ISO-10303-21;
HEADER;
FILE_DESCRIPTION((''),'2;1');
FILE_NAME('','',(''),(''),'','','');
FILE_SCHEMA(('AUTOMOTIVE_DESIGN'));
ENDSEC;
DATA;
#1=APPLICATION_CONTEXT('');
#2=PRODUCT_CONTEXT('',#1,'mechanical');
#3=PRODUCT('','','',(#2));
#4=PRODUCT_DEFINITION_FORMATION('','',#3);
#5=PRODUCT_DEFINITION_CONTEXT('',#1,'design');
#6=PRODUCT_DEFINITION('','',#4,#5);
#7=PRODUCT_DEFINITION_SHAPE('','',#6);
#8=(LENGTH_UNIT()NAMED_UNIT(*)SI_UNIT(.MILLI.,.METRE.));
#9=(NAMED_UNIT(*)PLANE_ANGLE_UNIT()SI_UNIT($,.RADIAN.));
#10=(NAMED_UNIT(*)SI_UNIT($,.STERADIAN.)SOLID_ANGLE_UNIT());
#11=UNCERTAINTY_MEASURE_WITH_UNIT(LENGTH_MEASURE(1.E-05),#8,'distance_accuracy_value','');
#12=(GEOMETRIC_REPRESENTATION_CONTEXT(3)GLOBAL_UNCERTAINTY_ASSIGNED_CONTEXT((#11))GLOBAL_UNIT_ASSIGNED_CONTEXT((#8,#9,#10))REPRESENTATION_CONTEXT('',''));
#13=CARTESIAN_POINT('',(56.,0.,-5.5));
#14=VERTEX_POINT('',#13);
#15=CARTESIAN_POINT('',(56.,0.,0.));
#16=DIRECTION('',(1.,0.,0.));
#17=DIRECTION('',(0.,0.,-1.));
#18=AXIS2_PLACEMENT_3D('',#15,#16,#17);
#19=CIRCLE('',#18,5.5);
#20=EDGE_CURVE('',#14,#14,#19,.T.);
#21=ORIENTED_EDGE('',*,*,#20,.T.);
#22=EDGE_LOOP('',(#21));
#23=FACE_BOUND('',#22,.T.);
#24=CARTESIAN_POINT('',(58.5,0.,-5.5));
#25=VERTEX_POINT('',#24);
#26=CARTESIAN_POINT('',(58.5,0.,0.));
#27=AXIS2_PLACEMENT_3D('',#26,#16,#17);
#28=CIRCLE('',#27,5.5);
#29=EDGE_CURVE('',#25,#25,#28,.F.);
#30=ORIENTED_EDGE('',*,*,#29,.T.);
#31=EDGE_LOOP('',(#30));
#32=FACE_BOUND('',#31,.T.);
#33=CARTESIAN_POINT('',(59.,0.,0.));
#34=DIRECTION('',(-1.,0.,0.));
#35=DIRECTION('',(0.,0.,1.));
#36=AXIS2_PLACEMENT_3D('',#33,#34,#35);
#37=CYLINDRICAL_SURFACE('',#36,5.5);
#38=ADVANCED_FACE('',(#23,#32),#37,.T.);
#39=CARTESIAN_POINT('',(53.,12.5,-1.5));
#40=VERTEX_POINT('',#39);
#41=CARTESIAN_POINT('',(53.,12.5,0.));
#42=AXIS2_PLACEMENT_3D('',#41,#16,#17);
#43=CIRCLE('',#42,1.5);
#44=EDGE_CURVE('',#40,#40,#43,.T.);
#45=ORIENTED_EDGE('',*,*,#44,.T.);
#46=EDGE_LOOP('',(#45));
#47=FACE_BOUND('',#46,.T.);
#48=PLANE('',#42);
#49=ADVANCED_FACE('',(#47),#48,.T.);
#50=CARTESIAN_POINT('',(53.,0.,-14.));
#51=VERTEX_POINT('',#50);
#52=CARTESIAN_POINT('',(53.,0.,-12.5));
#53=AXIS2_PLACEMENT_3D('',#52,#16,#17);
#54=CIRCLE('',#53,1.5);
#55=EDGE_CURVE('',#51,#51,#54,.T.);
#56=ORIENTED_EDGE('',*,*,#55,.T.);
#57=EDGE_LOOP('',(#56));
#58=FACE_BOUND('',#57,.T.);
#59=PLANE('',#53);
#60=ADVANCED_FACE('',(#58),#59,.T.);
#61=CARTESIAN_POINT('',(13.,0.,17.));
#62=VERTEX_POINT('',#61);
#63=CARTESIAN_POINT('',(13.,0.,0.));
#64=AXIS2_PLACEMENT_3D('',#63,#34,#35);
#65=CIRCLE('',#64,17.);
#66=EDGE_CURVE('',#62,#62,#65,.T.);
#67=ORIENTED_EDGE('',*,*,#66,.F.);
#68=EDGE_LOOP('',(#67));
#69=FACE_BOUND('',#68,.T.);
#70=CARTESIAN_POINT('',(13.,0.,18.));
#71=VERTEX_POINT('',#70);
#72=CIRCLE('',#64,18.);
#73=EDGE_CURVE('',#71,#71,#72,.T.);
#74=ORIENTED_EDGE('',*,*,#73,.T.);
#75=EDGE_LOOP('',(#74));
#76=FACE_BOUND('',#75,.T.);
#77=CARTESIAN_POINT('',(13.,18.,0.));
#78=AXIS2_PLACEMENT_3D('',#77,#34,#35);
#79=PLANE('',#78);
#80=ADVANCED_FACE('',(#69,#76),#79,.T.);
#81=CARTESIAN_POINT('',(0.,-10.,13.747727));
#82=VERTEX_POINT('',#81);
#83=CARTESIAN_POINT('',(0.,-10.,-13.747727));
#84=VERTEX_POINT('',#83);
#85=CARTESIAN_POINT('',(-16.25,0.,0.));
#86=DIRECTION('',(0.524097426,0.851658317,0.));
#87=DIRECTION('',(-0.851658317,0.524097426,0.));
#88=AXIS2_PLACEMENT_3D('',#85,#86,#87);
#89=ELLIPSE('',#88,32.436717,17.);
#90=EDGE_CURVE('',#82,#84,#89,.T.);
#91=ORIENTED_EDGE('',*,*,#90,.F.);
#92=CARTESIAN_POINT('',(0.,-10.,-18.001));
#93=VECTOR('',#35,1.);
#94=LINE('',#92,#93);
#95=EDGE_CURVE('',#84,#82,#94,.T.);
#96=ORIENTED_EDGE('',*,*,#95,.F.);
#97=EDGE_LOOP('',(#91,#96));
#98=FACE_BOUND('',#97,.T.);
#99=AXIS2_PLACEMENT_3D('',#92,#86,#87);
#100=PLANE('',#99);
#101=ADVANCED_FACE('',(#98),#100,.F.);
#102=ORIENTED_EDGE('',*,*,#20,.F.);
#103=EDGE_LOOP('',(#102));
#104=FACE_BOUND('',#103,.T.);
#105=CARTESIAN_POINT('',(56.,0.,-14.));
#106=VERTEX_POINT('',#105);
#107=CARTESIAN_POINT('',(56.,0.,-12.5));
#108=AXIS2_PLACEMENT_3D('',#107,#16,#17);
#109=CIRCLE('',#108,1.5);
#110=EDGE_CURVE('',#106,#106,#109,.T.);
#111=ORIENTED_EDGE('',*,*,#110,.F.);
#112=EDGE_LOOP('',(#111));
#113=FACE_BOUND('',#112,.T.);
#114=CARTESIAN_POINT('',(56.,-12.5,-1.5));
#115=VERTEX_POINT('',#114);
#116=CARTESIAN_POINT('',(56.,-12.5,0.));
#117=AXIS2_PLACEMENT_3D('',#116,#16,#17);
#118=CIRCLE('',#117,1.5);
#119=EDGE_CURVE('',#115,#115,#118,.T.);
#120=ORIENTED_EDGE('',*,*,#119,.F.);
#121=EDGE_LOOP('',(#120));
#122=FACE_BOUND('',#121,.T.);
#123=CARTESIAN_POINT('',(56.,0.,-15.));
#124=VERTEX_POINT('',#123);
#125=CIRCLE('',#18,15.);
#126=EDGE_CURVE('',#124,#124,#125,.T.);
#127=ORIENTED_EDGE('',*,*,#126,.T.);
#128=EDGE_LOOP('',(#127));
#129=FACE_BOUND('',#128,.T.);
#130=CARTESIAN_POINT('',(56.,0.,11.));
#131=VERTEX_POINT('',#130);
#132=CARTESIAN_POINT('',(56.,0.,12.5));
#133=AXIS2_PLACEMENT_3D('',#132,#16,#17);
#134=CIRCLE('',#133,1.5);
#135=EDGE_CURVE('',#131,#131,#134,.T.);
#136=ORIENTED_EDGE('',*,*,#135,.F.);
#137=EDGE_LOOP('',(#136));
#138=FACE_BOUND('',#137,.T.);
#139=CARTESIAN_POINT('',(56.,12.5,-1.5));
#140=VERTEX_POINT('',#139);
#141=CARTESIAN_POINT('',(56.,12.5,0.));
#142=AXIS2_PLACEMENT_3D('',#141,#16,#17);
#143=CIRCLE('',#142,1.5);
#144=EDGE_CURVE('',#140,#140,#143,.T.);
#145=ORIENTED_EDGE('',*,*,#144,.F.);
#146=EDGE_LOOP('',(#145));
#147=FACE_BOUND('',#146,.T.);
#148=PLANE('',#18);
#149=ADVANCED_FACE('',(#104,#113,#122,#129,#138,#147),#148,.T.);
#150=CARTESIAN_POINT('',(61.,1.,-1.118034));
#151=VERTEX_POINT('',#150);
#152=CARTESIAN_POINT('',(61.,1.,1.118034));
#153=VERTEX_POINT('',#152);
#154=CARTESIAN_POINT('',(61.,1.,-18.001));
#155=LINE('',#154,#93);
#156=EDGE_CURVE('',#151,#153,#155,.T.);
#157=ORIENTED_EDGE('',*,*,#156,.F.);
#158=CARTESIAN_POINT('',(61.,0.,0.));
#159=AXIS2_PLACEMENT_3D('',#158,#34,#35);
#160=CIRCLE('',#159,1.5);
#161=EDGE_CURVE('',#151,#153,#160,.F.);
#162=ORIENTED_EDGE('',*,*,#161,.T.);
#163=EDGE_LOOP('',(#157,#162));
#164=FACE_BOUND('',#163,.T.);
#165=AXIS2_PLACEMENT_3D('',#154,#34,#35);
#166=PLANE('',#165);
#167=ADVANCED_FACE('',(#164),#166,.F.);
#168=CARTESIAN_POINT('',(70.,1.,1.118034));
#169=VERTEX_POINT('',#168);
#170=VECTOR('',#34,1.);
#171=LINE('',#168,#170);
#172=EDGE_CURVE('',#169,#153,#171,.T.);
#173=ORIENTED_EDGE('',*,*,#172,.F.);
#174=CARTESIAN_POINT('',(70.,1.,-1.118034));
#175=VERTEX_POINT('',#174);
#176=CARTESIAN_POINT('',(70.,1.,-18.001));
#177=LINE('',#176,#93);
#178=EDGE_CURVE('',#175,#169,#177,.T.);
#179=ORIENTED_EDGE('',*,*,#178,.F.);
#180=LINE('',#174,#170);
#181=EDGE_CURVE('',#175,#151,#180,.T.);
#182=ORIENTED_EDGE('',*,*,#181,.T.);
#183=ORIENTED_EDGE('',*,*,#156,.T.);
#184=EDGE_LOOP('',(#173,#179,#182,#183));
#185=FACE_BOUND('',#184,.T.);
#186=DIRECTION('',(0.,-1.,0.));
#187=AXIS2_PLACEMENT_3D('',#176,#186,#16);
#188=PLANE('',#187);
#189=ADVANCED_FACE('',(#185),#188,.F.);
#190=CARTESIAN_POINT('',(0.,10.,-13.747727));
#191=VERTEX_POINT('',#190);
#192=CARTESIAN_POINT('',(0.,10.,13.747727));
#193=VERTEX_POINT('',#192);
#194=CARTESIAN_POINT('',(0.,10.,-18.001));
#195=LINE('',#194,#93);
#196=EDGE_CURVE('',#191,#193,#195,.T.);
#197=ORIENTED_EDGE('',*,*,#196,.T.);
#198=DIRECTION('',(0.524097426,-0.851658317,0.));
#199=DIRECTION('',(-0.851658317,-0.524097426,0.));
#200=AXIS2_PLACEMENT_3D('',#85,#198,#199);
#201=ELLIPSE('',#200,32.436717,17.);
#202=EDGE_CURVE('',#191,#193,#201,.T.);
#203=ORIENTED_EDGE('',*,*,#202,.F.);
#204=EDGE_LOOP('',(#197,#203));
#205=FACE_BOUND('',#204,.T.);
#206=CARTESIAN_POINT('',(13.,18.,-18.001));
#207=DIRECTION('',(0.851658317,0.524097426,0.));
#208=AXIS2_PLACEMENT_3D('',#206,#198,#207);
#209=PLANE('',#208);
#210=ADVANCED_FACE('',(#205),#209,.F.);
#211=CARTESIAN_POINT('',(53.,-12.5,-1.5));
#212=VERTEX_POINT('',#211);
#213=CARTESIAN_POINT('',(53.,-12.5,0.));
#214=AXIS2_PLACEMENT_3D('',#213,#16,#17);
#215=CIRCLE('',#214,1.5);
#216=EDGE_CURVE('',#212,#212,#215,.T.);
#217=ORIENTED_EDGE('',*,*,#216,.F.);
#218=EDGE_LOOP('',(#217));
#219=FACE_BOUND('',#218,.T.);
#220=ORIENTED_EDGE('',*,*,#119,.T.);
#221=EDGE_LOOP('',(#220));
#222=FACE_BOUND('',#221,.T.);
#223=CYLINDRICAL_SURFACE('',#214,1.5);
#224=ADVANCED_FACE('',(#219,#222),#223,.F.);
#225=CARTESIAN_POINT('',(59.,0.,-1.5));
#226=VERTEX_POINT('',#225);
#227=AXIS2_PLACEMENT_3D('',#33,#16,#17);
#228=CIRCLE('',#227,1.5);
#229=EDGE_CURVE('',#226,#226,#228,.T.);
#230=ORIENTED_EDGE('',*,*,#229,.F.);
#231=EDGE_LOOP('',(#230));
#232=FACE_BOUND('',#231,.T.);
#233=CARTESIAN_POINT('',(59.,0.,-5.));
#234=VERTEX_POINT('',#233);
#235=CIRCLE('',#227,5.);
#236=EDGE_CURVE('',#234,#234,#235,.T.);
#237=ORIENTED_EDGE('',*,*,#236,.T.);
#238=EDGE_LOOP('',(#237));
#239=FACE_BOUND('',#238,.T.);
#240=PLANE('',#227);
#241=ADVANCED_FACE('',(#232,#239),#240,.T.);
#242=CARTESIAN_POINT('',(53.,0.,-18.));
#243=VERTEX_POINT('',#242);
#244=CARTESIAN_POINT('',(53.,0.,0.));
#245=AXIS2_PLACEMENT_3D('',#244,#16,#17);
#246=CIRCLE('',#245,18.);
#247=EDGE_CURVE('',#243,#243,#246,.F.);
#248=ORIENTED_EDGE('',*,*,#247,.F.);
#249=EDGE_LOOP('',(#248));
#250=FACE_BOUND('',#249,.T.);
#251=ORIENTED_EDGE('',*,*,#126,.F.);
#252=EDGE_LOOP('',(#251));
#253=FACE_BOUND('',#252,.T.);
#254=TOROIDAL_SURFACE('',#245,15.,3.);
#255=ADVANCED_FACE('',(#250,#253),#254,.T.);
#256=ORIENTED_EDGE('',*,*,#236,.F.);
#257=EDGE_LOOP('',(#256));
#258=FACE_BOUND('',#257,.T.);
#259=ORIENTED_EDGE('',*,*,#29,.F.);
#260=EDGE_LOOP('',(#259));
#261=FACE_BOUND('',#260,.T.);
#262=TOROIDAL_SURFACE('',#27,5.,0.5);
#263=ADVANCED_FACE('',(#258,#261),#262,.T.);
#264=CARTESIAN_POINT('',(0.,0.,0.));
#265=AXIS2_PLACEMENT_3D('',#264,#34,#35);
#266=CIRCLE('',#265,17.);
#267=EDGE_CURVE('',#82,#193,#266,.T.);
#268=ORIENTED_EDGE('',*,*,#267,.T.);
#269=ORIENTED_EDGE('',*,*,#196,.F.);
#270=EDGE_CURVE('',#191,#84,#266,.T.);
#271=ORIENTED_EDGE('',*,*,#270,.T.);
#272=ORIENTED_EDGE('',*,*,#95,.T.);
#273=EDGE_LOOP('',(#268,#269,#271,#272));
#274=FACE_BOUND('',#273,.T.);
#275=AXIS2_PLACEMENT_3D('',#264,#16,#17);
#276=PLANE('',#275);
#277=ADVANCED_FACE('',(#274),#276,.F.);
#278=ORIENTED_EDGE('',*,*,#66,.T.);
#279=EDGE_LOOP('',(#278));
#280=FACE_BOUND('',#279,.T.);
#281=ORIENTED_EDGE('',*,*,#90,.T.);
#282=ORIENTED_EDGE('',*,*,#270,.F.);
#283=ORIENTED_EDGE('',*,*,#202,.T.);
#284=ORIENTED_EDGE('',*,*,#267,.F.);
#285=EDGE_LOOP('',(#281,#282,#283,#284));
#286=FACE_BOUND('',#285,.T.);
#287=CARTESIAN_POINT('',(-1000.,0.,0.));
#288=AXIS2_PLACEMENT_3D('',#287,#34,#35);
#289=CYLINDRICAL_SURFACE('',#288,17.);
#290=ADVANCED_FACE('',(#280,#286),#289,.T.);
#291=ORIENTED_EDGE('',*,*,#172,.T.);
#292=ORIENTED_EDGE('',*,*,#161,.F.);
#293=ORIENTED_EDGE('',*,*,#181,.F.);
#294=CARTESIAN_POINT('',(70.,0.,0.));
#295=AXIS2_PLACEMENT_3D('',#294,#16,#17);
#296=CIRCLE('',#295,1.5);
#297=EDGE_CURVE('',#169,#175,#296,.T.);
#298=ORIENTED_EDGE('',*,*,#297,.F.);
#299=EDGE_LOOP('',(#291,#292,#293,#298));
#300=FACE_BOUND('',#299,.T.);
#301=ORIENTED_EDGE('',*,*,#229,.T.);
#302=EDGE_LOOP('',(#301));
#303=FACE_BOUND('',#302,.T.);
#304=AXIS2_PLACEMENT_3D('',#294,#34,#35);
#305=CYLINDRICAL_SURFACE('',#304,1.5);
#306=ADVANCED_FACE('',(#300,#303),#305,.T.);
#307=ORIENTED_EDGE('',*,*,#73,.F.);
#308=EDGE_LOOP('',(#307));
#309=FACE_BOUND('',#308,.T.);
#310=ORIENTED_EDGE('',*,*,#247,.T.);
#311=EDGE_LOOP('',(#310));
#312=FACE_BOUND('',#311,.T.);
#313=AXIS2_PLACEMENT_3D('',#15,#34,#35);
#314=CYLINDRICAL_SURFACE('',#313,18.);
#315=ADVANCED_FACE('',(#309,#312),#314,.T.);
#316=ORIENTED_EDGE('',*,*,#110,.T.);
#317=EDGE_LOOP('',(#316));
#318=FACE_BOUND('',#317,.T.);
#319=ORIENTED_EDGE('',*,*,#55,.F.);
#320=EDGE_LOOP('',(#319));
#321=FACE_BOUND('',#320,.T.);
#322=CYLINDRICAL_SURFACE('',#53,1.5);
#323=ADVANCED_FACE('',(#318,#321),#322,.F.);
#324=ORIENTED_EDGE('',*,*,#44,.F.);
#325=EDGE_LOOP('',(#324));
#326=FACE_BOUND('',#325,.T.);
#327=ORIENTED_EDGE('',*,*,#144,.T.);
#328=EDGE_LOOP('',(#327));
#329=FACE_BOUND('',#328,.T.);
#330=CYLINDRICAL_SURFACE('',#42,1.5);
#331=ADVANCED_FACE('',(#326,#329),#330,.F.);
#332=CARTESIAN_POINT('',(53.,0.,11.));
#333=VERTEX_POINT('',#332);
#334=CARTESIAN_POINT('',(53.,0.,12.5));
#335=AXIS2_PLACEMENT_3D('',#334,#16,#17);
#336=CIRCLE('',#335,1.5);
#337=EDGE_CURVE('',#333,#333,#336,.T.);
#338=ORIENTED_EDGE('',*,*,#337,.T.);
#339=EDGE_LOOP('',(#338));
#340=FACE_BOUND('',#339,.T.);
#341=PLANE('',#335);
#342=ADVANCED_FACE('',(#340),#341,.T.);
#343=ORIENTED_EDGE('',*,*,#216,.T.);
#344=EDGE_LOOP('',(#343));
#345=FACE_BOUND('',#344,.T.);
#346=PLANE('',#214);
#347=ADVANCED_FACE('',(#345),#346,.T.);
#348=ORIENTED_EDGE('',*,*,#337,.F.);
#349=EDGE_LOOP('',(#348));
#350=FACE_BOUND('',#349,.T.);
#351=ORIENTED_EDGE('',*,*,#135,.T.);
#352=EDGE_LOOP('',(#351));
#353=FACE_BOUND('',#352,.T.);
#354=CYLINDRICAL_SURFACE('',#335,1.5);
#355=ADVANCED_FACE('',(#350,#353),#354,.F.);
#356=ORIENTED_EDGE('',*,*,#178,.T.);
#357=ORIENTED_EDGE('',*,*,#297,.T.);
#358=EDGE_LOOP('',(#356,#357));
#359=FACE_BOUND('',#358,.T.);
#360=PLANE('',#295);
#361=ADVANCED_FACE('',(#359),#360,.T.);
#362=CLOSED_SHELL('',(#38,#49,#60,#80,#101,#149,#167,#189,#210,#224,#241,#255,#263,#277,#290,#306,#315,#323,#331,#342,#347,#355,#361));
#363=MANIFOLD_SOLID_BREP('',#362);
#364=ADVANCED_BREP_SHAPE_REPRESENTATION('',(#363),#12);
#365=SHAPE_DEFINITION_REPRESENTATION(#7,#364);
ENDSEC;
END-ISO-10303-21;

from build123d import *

# Parameters (mm, degrees)
SKETCH1_R                           = 18
BOSS_EXTRUDE1_DEPTH                 = 56
FILLET1_R                           = 3
CUT_EXTRUDE1_START                  = -14.96663
CUT_EXTRUDE1_DEPTH                  = 29.93326
SKETCH3_W                           = 13
SKETCH3_H                           = 1
SKETCH4_R                           = 5.5
BOSS_EXTRUDE2_DEPTH                 = 3
FILLET2_R                           = 0.5
SKETCH5_R                           = 1.5
BOSS_EXTRUDE3_DEPTH                 = 11
CUT_EXTRUDE2_REACH                  = 76.485
CUT_EXTRUDE2_END_RADIUS             = 1.5
SKETCH6_W                           = 9
SKETCH6_H                           = 0.5
CUT_EXTRUDE2_DIRECTION_2_REACH      = 76.485
CUT_EXTRUDE2_DIRECTION_2_END_RADIUS = 1.5
SKETCH7_R                           = 1.5
CUT_EXTRUDE3_DEPTH                  = 3


with BuildPart() as part:
    # Sketch1 → Boss-Extrude1 (new body)
    with BuildSketch(Plane(origin=(0, 0, 0), x_dir=(0, 0, -1), z_dir=(1, 0, 0))):
        Circle(SKETCH1_R)
    extrude(amount=BOSS_EXTRUDE1_DEPTH)

    # Fillet1
    fillet1_edges = [part.edges().sort_by_distance(p)[0] for p in [
        (56, 0, 18),
    ]]
    fillet(fillet1_edges, radius=FILLET1_R)

    # Sketch2 → Cut-Extrude1 (cut)
    with BuildSketch(Plane.XY.offset(CUT_EXTRUDE1_START)):
        Polygon((13, 18), (0, 10), (0, -10), (13, -18), (0, -18), (-7.803780753, 17.225837115), (0, 18), align=None)
    extrude(amount=CUT_EXTRUDE1_DEPTH, mode=Mode.SUBTRACT)

    # Sketch3 → Cut-Revolve1 (revolve, cut)
    with BuildSketch(Plane.XY, mode=Mode.PRIVATE) as cut_revolve1_sk:
        with Locations((6.5, 17.5)):
            Rectangle(SKETCH3_W, SKETCH3_H)
    revolve(cut_revolve1_sk.sketch.rotate(Axis((-1000, 0, 0), (1, 0, 0)), 90), axis=Axis((-1000, 0, 0), (1, 0, 0)), mode=Mode.SUBTRACT)

    # Sketch4 → Boss-Extrude2 (add)
    with BuildSketch(Plane(origin=(56, 0, 0), x_dir=(0, 0, -1), z_dir=(1, 0, 0))):
        Circle(SKETCH4_R)
    extrude(amount=BOSS_EXTRUDE2_DEPTH)

    # Fillet2
    fillet2_edges = [part.edges().sort_by_distance(p)[0] for p in [
        (59, 0, 5.5),
    ]]
    fillet(fillet2_edges, radius=FILLET2_R)

    # Sketch5 → Boss-Extrude3 (add)
    with BuildSketch(Plane(origin=(59, 0, 0), x_dir=(0, 0, -1), z_dir=(1, 0, 0))):
        Circle(SKETCH5_R)
    extrude(amount=BOSS_EXTRUDE3_DEPTH)

    # Cut-Extrude2: up to this cylinder (the profile starts inside it)
    cut_extrude2_end = Plane(origin=(65.5, 0, 0), z_dir=(-1, 0, 0)) * Cylinder(CUT_EXTRUDE2_END_RADIUS, 156.97, mode=Mode.PRIVATE)
    # Sketch6 → Cut-Extrude2 (cut, up to the surface)
    with BuildSketch(Plane.XY, mode=Mode.PRIVATE) as cut_extrude2_sk1:
        with Locations((65.5, 1.25)):
            Rectangle(SKETCH6_W, SKETCH6_H)
    cut_extrude2_tool1 = extrude(cut_extrude2_sk1.sketch, amount=-CUT_EXTRUDE2_REACH, mode=Mode.PRIVATE) & cut_extrude2_end
    add(cut_extrude2_tool1.solids().sort_by_distance((65.5, 1.25, 0))[0], mode=Mode.SUBTRACT)

    # Cut-Extrude2 direction 2: up to this cylinder (the profile starts inside it)
    cut_extrude2_direction_2_end = Plane(origin=(65.5, 0, 0), z_dir=(-1, 0, 0)) * Cylinder(CUT_EXTRUDE2_DIRECTION_2_END_RADIUS, 156.97, mode=Mode.PRIVATE)
    # Sketch6 → Cut-Extrude2 direction 2 (cut, up to the surface)
    with BuildSketch(Plane.XY, mode=Mode.PRIVATE) as cut_extrude2_direction_2_sk1:
        with Locations((65.5, 1.25)):
            Rectangle(SKETCH6_W, SKETCH6_H)
    cut_extrude2_direction_2_tool1 = extrude(cut_extrude2_direction_2_sk1.sketch, amount=CUT_EXTRUDE2_DIRECTION_2_REACH, mode=Mode.PRIVATE) & cut_extrude2_direction_2_end
    add(cut_extrude2_direction_2_tool1.solids().sort_by_distance((65.5, 1.25, 0))[0], mode=Mode.SUBTRACT)

    # Sketch7 → Cut-Extrude3 (cut)
    with BuildSketch(Plane(origin=(56, 0, 0), x_dir=(0, 0, -1), z_dir=(1, 0, 0))):
        with Locations((0, 12.5)):
            Circle(SKETCH7_R)
        with Locations((12.5, 0)):
            Circle(SKETCH7_R)
        with Locations((0, -12.5)):
            Circle(SKETCH7_R)
        with Locations((-12.5, 0)):
            Circle(SKETCH7_R)
    extrude(amount=-CUT_EXTRUDE3_DEPTH, mode=Mode.SUBTRACT)


solid = part.part
